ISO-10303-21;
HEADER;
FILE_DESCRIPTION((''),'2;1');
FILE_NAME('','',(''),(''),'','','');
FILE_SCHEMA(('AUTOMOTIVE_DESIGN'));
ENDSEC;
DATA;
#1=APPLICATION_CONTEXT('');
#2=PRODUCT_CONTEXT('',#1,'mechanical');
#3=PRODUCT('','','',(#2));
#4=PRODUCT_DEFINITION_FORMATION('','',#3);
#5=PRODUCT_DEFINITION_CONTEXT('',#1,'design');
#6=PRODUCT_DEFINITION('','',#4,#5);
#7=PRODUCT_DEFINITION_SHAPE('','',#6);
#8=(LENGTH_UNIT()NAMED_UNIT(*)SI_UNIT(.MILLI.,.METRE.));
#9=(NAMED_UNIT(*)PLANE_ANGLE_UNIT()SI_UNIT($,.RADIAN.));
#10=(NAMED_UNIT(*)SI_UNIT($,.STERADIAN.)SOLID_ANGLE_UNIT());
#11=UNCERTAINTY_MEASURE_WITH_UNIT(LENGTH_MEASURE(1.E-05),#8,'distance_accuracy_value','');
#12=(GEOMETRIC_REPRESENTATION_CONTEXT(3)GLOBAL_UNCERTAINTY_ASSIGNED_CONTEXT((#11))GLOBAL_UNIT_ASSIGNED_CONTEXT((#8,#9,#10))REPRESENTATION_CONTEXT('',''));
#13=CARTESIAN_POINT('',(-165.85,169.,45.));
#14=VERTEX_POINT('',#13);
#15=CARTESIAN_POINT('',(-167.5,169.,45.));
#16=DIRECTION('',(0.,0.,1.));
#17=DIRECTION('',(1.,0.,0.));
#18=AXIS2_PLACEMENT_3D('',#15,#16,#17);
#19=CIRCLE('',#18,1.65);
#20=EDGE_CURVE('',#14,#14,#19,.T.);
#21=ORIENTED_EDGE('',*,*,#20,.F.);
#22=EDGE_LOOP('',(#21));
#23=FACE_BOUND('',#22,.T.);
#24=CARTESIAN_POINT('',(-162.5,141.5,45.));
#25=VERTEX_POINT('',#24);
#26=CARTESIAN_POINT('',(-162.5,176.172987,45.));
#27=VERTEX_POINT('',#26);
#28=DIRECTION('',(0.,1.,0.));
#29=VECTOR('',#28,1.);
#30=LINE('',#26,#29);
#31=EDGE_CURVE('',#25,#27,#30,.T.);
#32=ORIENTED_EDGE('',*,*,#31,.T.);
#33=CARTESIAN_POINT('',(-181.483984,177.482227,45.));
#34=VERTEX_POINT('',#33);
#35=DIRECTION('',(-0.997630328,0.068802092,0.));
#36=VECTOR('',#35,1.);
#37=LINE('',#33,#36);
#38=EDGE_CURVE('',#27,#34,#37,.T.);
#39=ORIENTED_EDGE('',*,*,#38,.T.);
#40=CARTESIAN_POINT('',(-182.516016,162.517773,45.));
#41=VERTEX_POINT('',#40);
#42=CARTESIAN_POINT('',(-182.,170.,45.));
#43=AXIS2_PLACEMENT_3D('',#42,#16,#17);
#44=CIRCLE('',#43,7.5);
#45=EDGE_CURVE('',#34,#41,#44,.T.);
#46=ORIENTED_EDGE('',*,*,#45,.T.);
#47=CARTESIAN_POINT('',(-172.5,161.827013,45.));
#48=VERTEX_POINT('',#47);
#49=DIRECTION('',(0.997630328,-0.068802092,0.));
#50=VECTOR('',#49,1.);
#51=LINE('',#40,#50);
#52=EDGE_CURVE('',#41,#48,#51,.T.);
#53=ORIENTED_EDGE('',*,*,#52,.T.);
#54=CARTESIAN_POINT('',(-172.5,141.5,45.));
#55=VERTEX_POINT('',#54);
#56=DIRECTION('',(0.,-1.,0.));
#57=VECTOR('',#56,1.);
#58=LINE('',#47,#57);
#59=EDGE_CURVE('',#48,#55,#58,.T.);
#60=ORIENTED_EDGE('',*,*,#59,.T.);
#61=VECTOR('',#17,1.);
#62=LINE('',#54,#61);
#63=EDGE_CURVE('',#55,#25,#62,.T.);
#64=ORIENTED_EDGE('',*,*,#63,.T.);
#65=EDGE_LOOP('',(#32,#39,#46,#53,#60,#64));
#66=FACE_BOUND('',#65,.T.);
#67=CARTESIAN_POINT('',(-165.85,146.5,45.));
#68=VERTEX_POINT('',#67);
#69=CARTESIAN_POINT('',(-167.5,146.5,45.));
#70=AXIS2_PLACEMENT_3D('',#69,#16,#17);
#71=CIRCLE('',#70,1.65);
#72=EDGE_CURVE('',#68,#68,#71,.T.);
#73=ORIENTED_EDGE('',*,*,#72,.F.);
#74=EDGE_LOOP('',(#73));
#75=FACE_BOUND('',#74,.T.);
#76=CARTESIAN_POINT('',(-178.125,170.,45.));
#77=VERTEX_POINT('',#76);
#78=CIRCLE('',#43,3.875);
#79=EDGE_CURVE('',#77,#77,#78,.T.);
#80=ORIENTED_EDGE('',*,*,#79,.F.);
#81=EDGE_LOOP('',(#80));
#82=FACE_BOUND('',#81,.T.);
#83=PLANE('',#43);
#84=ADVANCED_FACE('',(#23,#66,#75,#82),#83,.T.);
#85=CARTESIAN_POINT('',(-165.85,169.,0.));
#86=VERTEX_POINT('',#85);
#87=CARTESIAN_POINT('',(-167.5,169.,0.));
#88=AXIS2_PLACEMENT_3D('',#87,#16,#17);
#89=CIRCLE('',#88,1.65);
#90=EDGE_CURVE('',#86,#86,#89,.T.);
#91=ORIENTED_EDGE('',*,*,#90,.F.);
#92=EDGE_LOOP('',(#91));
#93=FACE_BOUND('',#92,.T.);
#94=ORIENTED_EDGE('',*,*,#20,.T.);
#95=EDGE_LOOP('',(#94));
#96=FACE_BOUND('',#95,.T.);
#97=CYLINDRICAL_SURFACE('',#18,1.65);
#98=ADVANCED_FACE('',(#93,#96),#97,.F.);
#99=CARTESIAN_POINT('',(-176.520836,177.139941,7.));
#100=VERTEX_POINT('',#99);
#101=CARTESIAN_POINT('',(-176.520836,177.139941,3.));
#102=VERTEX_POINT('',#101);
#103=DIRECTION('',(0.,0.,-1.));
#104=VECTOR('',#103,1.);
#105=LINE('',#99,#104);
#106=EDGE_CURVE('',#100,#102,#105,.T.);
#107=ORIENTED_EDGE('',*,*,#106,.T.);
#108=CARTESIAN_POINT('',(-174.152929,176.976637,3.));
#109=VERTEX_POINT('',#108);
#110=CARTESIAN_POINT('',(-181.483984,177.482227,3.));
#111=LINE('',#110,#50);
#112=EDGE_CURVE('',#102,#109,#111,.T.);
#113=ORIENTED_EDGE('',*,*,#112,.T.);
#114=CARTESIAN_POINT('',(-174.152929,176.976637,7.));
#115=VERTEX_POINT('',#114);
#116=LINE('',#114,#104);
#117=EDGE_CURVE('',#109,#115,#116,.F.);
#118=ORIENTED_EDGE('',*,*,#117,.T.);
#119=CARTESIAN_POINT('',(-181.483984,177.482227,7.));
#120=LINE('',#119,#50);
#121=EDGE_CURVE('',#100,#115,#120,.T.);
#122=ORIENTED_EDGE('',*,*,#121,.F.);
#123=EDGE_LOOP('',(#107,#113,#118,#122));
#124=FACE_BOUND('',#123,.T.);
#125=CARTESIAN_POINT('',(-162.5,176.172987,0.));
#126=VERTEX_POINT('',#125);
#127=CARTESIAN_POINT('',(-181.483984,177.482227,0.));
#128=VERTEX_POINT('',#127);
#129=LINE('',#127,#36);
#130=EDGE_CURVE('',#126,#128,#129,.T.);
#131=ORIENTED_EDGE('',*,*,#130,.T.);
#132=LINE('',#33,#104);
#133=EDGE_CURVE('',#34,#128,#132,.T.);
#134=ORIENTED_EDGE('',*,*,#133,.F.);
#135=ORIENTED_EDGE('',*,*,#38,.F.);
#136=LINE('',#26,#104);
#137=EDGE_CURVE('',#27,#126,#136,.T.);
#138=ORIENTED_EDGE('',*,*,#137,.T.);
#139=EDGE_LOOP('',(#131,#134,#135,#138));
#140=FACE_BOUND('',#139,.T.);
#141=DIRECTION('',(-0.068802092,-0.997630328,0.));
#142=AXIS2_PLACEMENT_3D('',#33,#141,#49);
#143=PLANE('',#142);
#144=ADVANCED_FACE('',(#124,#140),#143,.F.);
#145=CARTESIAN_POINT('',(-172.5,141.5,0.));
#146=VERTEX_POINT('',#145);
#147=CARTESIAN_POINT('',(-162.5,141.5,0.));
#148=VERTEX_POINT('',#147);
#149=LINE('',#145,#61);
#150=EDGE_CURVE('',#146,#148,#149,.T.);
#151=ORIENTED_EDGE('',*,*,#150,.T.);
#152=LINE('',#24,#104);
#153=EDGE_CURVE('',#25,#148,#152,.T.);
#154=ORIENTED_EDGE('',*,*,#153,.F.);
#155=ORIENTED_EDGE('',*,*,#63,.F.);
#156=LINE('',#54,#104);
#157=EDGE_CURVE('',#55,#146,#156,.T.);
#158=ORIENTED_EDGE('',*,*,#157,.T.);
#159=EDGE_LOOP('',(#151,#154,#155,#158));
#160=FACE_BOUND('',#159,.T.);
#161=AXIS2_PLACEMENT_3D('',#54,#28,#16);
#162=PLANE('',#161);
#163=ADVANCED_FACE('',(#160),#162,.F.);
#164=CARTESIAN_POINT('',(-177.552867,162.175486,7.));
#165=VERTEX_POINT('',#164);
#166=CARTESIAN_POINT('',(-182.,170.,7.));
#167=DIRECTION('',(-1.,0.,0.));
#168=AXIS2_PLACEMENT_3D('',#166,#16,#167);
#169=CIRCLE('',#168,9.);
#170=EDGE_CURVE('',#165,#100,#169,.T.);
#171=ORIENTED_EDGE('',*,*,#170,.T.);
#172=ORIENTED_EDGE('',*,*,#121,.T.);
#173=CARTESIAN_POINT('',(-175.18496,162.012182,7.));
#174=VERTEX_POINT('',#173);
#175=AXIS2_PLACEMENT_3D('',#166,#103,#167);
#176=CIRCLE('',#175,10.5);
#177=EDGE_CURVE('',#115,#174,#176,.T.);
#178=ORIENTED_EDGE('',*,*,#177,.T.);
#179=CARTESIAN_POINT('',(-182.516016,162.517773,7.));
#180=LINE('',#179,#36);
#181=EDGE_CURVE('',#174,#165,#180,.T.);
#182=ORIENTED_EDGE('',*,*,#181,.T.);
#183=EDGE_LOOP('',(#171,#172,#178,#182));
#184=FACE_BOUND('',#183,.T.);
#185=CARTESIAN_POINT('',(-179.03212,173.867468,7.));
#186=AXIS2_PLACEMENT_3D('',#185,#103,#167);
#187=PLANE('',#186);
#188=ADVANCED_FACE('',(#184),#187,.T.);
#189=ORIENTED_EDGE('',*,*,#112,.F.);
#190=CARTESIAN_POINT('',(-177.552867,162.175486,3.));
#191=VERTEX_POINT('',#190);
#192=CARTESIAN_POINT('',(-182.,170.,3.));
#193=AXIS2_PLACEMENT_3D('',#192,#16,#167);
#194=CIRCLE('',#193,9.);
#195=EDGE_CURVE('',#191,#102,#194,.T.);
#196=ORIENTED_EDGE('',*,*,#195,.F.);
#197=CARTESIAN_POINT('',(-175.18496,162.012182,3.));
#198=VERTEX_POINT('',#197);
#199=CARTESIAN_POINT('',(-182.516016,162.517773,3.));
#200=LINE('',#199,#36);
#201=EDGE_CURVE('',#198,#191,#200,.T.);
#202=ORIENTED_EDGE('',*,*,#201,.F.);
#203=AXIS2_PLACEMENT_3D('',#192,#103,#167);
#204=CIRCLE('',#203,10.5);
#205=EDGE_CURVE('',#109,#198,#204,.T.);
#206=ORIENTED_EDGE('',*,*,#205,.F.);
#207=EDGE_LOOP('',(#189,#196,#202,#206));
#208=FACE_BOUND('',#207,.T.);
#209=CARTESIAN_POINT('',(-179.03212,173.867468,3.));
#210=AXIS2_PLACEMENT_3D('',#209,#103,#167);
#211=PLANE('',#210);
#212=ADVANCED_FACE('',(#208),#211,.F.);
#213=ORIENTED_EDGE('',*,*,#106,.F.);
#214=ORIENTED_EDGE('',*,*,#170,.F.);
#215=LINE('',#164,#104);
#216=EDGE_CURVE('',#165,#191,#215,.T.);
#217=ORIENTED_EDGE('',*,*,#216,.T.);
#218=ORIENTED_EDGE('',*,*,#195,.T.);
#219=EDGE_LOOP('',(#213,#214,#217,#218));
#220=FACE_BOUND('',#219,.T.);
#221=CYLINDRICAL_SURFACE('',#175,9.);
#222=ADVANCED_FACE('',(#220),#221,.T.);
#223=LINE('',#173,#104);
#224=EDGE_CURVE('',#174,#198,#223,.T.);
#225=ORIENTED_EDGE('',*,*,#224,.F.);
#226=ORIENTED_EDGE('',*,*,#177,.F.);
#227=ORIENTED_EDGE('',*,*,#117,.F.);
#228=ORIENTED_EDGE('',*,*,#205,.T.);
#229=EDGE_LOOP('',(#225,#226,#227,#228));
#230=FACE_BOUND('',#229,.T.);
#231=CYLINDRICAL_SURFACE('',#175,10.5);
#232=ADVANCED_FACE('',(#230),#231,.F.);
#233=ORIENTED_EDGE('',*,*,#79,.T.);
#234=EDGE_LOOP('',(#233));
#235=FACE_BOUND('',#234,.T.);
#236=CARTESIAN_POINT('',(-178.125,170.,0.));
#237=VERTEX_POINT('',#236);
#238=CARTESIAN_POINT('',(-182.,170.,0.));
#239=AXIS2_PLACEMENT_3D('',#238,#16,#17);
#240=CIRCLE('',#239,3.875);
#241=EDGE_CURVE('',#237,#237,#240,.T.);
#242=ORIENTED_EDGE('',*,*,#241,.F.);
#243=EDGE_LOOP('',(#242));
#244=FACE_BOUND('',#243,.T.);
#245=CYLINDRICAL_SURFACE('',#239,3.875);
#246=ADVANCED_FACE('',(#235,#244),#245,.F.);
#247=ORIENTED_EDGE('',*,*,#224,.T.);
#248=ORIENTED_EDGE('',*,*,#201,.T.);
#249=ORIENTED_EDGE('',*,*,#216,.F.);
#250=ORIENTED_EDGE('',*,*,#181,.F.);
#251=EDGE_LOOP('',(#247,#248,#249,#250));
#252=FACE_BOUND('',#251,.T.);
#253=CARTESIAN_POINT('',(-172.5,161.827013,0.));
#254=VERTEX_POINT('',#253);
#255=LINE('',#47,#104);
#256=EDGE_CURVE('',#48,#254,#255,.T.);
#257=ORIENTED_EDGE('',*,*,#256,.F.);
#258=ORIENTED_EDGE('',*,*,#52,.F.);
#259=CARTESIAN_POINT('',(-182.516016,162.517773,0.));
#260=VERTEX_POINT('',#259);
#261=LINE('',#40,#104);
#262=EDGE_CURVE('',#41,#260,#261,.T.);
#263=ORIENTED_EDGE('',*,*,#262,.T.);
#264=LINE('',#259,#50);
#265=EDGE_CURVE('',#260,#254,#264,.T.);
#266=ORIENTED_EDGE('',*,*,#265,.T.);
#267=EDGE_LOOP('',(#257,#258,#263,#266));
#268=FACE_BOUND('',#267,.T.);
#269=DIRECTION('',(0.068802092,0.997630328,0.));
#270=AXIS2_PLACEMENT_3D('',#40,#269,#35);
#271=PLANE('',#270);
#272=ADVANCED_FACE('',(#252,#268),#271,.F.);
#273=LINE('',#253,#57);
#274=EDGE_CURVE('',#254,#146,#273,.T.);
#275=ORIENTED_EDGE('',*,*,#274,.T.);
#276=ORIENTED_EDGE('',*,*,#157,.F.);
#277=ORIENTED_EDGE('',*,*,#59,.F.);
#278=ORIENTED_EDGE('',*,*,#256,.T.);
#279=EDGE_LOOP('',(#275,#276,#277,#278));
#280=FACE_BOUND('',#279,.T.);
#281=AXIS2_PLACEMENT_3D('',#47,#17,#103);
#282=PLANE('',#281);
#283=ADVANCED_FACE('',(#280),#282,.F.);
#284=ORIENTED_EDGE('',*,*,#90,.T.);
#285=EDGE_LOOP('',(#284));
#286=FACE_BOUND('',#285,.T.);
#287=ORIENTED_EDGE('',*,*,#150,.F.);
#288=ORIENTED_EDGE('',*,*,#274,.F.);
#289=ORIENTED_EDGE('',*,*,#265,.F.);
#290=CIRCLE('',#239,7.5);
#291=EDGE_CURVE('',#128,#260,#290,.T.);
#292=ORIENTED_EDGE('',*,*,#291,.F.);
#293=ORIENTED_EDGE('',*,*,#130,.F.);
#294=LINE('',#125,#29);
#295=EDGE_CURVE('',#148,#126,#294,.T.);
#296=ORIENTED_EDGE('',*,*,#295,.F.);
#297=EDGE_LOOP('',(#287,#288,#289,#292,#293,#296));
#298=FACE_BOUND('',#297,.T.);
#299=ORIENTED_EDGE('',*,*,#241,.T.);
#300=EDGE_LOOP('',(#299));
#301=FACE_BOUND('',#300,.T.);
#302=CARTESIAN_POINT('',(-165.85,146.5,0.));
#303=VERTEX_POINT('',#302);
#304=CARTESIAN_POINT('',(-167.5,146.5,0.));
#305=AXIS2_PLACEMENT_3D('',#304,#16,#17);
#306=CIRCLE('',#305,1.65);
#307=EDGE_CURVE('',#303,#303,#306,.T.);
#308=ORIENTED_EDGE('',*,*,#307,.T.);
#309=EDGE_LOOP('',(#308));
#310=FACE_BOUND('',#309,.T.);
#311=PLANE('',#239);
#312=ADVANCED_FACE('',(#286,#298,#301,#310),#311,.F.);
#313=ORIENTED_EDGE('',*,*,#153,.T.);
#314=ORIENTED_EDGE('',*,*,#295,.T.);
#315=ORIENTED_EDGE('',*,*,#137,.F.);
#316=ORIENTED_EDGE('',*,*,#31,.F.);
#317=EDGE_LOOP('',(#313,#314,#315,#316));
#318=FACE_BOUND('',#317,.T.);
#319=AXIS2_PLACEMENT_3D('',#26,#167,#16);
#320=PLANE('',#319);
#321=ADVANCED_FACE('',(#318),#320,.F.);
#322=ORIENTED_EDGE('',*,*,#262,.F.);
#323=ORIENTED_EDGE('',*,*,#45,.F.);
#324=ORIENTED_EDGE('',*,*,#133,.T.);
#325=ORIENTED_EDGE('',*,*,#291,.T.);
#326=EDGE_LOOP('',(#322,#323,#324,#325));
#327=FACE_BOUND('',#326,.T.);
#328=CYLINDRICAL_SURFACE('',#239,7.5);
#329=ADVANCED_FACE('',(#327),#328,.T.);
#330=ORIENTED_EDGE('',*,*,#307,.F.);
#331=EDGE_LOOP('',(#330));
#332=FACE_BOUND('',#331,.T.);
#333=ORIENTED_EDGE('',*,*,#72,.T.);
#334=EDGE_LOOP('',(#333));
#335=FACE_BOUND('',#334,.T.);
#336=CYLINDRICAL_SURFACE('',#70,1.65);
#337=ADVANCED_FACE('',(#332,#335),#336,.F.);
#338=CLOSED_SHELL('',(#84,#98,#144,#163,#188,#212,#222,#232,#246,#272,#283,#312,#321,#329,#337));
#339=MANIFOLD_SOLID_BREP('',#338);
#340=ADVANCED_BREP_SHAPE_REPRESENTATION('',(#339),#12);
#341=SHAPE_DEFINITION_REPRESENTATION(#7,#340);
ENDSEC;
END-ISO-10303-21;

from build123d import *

# Parameters (mm, degrees)
BOSS_EXTRUDE1_DEPTH   = 45
CUT_EXTRUDE1_START    = -5
CUT_EXTRUDE1_DEPTH    = 2
M4X0_7_TAPPED_HOLE1_D = 3.3
SKETCH5_R             = 7.5
BOSS_EXTRUDE2_DEPTH   = 45
SKETCH6_R             = 3.875
CUT_EXTRUDE2_DEPTH    = 46


with BuildPart() as part:
    # Sketch1 → Boss-Extrude1 (new body)
    with BuildSketch(Plane.XY):
        with BuildLine():
            Line((-182.516015687, 162.517772537), (-172.5, 161.827012834))
            Line((-172.5, 161.827012834), (-172.5, 141.5))
            Line((-172.5, 141.5), (-162.5, 141.5))
            Line((-162.5, 141.5), (-162.5, 176.172987166))
            Line((-162.5, 176.172987166), (-181.483984313, 177.482227463))
            ThreePointArc((-181.483984313, 177.482227463), (-174.517772537, 169.483984313), (-182.516015687, 162.517772537))
        make_face()
    extrude(amount=BOSS_EXTRUDE1_DEPTH)

    # Sketch2 → Cut-Extrude1 (cut, symmetric)
    with BuildSketch(Plane(origin=(0, 0, 0), x_dir=(-1, 0, 0), z_dir=(0, 0, -1)).offset(CUT_EXTRUDE1_START)):
        with BuildLine():
            ThreePointArc((176.520836095, 177.139941379), (173.021327044, 169.380781175), (177.552867469, 162.175486453))
            ThreePointArc((177.552867469, 162.175486453), (177.834315887, 161.15284928), (176.811678714, 160.871400862))
            ThreePointArc((176.811678714, 160.871400862), (171.524881552, 169.277578038), (175.60764211, 178.329931609))
            ThreePointArc((175.60764211, 178.329931609), (176.659234217, 178.191533486), (176.520836095, 177.139941379))
        make_face()
    extrude(amount=CUT_EXTRUDE1_DEPTH, both=True, mode=Mode.SUBTRACT)

    # M4x0.7 Tapped Hole1 (through all)
    with Locations(Plane.XY.offset(45)):
        with Locations((-167.5, 169), (-167.5, 146.5)):
            Hole(M4X0_7_TAPPED_HOLE1_D / 2)

    # Sketch5 → Boss-Extrude2 (add, through all)
    with BuildSketch(Plane.XY.offset(45)):
        with Locations((-182, 170)):
            Circle(SKETCH5_R)
    extrude(amount=-BOSS_EXTRUDE2_DEPTH)

    # Sketch6 → Cut-Extrude2 (cut, through all)
    with BuildSketch(Plane.XY.offset(45)):
        with Locations((-182, 170)):
            Circle(SKETCH6_R)
    extrude(amount=-CUT_EXTRUDE2_DEPTH, mode=Mode.SUBTRACT)


solid = part.part
